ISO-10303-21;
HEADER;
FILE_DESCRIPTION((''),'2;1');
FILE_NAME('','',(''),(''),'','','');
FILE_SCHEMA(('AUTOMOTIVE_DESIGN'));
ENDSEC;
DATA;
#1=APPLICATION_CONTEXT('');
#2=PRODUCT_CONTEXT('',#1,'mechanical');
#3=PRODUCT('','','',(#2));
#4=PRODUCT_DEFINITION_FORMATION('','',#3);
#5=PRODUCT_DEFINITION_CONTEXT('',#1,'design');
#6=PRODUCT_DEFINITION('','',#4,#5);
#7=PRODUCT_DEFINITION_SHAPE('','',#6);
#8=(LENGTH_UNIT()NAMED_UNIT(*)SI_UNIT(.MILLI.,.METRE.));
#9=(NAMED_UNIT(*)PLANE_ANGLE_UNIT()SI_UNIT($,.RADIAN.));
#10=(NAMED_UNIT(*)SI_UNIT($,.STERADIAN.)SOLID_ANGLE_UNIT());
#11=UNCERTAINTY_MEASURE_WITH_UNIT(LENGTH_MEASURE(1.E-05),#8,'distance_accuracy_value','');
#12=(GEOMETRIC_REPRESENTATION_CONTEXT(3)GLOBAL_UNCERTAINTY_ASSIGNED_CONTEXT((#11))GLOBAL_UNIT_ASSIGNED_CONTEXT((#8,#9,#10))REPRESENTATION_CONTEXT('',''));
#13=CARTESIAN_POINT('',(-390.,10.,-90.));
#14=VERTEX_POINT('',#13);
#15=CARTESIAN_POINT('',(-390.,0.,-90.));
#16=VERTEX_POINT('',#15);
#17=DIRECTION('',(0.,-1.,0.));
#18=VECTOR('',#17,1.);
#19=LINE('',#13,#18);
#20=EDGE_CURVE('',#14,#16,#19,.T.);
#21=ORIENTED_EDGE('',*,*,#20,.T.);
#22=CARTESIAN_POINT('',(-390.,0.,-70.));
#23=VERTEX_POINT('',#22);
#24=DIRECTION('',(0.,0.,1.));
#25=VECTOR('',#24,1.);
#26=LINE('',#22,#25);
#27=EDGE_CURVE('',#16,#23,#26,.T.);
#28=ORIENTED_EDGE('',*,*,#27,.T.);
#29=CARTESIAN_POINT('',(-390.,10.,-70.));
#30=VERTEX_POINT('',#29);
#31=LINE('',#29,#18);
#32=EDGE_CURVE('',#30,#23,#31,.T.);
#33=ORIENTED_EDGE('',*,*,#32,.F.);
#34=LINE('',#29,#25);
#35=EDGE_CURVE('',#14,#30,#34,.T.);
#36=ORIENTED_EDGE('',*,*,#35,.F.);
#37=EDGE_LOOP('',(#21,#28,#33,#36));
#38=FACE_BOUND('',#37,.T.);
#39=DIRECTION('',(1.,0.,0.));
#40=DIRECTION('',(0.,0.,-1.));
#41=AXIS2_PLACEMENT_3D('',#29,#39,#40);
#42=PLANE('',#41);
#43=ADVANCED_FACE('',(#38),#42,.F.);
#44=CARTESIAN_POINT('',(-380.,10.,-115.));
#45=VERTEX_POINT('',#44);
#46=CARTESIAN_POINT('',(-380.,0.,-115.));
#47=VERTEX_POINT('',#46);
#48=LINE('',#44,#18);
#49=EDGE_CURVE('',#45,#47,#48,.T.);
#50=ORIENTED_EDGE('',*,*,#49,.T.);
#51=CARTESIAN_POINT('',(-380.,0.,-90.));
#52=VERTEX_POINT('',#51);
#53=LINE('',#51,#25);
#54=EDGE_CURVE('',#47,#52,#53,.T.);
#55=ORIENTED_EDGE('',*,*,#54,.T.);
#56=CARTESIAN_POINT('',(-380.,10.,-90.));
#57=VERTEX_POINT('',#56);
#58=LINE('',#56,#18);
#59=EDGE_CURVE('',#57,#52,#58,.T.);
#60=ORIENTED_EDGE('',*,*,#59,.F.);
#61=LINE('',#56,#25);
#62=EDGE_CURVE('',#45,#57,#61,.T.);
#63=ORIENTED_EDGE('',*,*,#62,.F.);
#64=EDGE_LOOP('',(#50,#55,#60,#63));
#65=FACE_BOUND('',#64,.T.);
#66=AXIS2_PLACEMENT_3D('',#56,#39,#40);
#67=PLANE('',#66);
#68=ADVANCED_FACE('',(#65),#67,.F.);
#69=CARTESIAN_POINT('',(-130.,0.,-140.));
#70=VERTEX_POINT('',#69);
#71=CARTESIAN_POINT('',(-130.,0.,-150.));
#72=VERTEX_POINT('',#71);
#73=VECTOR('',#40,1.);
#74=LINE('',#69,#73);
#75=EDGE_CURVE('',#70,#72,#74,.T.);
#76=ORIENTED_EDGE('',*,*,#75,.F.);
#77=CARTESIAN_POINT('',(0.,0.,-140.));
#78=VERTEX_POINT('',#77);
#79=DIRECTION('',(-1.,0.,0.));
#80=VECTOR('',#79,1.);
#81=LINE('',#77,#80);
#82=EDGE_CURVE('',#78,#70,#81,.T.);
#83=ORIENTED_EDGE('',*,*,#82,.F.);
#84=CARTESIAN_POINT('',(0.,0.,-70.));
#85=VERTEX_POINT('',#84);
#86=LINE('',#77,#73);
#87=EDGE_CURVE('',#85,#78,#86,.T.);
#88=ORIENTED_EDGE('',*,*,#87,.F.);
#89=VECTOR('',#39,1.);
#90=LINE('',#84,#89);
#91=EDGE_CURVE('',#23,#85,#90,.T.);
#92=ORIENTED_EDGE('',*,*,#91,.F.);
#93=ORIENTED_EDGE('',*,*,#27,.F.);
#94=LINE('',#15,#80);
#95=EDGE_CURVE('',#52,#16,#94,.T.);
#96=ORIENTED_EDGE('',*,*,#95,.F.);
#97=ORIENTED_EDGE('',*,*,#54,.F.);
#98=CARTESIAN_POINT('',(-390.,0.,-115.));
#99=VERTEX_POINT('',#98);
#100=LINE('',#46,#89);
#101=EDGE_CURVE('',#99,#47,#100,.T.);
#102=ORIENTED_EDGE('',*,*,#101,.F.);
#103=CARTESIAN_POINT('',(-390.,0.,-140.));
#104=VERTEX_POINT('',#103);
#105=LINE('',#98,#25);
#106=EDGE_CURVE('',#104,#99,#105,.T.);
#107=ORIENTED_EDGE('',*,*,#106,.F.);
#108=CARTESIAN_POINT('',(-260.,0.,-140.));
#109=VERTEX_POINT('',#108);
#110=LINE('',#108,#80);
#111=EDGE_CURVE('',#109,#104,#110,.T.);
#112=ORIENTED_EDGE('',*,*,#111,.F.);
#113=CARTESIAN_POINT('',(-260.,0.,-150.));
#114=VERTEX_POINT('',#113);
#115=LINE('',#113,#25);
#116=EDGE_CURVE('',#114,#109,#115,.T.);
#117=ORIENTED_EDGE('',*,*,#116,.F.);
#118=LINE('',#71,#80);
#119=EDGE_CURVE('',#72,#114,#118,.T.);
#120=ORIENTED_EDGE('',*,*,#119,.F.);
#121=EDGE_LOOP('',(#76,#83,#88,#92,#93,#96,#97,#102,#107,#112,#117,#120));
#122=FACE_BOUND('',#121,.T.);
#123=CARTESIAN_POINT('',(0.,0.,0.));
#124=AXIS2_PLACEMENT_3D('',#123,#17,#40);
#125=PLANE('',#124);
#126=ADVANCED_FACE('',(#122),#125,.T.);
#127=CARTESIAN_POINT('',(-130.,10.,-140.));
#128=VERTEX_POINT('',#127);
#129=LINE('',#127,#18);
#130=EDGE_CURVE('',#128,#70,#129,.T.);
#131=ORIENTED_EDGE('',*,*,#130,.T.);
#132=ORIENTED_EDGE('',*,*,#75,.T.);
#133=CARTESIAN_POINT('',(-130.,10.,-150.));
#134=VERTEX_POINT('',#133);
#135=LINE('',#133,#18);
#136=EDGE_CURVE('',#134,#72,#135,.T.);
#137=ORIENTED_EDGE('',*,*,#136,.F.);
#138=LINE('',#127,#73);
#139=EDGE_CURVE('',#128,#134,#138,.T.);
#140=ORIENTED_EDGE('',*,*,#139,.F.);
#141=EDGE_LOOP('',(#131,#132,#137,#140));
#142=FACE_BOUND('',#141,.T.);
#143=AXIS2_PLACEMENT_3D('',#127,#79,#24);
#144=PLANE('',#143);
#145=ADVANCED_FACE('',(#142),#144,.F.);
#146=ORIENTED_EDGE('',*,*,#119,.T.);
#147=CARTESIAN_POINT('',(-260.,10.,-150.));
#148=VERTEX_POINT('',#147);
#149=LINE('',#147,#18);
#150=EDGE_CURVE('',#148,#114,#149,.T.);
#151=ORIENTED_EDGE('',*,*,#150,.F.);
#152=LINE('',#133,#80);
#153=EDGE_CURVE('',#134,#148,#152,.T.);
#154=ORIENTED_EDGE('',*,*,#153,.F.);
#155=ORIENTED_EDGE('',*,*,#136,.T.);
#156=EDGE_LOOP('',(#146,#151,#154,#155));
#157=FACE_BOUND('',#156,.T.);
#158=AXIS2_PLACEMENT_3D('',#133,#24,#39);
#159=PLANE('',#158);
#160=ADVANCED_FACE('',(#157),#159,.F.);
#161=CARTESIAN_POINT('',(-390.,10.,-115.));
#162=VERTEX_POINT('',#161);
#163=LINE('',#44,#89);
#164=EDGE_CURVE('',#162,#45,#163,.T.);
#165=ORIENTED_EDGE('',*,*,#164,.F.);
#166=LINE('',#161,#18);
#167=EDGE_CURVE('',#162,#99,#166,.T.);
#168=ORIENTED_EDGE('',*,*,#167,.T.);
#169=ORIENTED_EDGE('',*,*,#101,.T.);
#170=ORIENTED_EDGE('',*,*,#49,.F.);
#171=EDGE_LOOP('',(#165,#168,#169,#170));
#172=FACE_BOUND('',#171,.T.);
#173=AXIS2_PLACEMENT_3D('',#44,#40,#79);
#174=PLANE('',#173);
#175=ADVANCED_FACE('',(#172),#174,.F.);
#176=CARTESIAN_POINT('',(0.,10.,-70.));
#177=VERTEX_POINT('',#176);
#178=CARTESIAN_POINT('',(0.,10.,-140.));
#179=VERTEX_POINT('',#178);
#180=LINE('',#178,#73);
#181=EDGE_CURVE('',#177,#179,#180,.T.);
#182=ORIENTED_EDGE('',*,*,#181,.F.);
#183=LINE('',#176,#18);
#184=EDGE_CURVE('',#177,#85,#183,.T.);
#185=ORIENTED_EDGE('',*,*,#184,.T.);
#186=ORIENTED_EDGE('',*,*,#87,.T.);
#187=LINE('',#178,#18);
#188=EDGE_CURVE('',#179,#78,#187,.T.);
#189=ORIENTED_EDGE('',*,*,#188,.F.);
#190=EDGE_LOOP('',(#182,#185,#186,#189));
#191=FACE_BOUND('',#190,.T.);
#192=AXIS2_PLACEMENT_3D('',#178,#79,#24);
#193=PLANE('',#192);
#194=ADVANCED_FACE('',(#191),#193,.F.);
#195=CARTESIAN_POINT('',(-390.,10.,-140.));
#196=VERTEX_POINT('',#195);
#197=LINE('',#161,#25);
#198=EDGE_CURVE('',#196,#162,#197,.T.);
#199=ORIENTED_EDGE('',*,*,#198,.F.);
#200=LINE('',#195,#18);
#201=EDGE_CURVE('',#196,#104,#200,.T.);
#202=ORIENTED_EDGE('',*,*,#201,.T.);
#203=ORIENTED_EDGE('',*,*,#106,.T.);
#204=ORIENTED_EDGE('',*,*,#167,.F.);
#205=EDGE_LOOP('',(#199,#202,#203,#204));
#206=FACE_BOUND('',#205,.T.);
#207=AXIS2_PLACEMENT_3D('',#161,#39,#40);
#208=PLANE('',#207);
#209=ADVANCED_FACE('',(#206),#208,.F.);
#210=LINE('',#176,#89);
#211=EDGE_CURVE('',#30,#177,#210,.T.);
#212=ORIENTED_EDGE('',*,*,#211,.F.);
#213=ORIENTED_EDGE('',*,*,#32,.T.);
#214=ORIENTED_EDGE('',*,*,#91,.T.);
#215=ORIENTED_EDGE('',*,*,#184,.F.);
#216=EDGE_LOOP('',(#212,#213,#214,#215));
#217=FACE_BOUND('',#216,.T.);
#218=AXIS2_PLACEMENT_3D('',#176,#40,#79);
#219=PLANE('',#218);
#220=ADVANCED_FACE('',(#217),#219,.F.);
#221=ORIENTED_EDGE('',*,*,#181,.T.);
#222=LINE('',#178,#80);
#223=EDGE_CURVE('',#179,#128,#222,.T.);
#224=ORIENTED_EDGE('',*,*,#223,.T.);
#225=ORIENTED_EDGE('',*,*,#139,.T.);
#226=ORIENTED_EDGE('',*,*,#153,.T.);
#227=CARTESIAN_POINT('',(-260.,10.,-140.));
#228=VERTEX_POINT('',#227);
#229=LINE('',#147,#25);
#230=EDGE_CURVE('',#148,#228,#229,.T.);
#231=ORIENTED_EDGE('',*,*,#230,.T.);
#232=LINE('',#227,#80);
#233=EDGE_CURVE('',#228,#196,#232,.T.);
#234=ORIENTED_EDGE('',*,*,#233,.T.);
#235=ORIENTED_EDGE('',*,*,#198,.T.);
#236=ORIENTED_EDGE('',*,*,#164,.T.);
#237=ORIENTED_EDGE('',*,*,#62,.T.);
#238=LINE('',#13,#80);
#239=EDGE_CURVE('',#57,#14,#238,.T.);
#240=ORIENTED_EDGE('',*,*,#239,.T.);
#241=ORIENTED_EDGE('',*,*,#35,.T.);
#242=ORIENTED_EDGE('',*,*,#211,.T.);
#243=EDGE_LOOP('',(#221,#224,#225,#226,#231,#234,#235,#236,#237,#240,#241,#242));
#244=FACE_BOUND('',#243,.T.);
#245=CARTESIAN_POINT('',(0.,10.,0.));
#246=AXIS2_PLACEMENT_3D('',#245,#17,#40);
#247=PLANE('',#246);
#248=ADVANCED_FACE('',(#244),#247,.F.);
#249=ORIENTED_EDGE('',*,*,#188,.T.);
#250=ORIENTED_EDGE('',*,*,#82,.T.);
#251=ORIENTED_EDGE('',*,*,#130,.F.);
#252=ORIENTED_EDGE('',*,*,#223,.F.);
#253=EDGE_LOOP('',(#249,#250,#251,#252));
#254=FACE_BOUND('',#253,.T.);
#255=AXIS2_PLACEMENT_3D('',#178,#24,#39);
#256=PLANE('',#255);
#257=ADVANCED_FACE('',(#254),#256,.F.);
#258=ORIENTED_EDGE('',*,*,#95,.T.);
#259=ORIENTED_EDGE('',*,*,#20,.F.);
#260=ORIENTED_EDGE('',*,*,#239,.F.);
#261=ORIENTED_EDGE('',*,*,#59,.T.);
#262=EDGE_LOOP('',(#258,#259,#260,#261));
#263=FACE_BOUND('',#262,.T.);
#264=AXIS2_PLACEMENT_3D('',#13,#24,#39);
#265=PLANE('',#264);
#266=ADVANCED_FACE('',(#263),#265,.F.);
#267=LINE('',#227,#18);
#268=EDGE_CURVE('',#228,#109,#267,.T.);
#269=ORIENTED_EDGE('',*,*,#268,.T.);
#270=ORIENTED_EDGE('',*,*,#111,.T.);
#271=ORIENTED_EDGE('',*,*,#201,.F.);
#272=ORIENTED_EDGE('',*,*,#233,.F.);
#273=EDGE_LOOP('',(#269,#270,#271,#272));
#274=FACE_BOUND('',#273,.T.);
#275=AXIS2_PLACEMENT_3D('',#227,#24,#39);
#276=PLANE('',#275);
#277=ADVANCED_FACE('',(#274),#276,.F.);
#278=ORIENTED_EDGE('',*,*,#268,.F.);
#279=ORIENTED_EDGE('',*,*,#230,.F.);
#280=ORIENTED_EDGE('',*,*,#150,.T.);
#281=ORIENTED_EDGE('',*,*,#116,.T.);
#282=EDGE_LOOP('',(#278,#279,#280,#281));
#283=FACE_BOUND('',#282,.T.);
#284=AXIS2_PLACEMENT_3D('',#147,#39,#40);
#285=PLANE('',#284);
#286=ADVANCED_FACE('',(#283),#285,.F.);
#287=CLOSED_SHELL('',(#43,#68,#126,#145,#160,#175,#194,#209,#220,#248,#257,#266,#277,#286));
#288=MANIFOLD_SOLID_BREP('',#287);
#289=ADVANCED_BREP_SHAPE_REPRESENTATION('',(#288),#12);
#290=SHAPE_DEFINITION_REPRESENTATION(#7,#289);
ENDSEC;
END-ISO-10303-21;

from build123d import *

# Parameters (mm, degrees)
BOSS_EXTRUDE1_DEPTH = 10


with BuildPart() as part:
    # Sketch1 → Boss-Extrude1 (new body)
    with BuildSketch(Plane(origin=(0, 0, 0), x_dir=(1, 0, 0), z_dir=(0, 1, 0))):
        Polygon((0, 70), (-390, 70), (-390, 90), (-380, 90), (-380, 115), (-390, 115), (-390, 140), (-260, 140), (-260, 150), (-130, 150), (-130, 140), (0, 140), align=None)
    extrude(amount=BOSS_EXTRUDE1_DEPTH)


solid = part.part
